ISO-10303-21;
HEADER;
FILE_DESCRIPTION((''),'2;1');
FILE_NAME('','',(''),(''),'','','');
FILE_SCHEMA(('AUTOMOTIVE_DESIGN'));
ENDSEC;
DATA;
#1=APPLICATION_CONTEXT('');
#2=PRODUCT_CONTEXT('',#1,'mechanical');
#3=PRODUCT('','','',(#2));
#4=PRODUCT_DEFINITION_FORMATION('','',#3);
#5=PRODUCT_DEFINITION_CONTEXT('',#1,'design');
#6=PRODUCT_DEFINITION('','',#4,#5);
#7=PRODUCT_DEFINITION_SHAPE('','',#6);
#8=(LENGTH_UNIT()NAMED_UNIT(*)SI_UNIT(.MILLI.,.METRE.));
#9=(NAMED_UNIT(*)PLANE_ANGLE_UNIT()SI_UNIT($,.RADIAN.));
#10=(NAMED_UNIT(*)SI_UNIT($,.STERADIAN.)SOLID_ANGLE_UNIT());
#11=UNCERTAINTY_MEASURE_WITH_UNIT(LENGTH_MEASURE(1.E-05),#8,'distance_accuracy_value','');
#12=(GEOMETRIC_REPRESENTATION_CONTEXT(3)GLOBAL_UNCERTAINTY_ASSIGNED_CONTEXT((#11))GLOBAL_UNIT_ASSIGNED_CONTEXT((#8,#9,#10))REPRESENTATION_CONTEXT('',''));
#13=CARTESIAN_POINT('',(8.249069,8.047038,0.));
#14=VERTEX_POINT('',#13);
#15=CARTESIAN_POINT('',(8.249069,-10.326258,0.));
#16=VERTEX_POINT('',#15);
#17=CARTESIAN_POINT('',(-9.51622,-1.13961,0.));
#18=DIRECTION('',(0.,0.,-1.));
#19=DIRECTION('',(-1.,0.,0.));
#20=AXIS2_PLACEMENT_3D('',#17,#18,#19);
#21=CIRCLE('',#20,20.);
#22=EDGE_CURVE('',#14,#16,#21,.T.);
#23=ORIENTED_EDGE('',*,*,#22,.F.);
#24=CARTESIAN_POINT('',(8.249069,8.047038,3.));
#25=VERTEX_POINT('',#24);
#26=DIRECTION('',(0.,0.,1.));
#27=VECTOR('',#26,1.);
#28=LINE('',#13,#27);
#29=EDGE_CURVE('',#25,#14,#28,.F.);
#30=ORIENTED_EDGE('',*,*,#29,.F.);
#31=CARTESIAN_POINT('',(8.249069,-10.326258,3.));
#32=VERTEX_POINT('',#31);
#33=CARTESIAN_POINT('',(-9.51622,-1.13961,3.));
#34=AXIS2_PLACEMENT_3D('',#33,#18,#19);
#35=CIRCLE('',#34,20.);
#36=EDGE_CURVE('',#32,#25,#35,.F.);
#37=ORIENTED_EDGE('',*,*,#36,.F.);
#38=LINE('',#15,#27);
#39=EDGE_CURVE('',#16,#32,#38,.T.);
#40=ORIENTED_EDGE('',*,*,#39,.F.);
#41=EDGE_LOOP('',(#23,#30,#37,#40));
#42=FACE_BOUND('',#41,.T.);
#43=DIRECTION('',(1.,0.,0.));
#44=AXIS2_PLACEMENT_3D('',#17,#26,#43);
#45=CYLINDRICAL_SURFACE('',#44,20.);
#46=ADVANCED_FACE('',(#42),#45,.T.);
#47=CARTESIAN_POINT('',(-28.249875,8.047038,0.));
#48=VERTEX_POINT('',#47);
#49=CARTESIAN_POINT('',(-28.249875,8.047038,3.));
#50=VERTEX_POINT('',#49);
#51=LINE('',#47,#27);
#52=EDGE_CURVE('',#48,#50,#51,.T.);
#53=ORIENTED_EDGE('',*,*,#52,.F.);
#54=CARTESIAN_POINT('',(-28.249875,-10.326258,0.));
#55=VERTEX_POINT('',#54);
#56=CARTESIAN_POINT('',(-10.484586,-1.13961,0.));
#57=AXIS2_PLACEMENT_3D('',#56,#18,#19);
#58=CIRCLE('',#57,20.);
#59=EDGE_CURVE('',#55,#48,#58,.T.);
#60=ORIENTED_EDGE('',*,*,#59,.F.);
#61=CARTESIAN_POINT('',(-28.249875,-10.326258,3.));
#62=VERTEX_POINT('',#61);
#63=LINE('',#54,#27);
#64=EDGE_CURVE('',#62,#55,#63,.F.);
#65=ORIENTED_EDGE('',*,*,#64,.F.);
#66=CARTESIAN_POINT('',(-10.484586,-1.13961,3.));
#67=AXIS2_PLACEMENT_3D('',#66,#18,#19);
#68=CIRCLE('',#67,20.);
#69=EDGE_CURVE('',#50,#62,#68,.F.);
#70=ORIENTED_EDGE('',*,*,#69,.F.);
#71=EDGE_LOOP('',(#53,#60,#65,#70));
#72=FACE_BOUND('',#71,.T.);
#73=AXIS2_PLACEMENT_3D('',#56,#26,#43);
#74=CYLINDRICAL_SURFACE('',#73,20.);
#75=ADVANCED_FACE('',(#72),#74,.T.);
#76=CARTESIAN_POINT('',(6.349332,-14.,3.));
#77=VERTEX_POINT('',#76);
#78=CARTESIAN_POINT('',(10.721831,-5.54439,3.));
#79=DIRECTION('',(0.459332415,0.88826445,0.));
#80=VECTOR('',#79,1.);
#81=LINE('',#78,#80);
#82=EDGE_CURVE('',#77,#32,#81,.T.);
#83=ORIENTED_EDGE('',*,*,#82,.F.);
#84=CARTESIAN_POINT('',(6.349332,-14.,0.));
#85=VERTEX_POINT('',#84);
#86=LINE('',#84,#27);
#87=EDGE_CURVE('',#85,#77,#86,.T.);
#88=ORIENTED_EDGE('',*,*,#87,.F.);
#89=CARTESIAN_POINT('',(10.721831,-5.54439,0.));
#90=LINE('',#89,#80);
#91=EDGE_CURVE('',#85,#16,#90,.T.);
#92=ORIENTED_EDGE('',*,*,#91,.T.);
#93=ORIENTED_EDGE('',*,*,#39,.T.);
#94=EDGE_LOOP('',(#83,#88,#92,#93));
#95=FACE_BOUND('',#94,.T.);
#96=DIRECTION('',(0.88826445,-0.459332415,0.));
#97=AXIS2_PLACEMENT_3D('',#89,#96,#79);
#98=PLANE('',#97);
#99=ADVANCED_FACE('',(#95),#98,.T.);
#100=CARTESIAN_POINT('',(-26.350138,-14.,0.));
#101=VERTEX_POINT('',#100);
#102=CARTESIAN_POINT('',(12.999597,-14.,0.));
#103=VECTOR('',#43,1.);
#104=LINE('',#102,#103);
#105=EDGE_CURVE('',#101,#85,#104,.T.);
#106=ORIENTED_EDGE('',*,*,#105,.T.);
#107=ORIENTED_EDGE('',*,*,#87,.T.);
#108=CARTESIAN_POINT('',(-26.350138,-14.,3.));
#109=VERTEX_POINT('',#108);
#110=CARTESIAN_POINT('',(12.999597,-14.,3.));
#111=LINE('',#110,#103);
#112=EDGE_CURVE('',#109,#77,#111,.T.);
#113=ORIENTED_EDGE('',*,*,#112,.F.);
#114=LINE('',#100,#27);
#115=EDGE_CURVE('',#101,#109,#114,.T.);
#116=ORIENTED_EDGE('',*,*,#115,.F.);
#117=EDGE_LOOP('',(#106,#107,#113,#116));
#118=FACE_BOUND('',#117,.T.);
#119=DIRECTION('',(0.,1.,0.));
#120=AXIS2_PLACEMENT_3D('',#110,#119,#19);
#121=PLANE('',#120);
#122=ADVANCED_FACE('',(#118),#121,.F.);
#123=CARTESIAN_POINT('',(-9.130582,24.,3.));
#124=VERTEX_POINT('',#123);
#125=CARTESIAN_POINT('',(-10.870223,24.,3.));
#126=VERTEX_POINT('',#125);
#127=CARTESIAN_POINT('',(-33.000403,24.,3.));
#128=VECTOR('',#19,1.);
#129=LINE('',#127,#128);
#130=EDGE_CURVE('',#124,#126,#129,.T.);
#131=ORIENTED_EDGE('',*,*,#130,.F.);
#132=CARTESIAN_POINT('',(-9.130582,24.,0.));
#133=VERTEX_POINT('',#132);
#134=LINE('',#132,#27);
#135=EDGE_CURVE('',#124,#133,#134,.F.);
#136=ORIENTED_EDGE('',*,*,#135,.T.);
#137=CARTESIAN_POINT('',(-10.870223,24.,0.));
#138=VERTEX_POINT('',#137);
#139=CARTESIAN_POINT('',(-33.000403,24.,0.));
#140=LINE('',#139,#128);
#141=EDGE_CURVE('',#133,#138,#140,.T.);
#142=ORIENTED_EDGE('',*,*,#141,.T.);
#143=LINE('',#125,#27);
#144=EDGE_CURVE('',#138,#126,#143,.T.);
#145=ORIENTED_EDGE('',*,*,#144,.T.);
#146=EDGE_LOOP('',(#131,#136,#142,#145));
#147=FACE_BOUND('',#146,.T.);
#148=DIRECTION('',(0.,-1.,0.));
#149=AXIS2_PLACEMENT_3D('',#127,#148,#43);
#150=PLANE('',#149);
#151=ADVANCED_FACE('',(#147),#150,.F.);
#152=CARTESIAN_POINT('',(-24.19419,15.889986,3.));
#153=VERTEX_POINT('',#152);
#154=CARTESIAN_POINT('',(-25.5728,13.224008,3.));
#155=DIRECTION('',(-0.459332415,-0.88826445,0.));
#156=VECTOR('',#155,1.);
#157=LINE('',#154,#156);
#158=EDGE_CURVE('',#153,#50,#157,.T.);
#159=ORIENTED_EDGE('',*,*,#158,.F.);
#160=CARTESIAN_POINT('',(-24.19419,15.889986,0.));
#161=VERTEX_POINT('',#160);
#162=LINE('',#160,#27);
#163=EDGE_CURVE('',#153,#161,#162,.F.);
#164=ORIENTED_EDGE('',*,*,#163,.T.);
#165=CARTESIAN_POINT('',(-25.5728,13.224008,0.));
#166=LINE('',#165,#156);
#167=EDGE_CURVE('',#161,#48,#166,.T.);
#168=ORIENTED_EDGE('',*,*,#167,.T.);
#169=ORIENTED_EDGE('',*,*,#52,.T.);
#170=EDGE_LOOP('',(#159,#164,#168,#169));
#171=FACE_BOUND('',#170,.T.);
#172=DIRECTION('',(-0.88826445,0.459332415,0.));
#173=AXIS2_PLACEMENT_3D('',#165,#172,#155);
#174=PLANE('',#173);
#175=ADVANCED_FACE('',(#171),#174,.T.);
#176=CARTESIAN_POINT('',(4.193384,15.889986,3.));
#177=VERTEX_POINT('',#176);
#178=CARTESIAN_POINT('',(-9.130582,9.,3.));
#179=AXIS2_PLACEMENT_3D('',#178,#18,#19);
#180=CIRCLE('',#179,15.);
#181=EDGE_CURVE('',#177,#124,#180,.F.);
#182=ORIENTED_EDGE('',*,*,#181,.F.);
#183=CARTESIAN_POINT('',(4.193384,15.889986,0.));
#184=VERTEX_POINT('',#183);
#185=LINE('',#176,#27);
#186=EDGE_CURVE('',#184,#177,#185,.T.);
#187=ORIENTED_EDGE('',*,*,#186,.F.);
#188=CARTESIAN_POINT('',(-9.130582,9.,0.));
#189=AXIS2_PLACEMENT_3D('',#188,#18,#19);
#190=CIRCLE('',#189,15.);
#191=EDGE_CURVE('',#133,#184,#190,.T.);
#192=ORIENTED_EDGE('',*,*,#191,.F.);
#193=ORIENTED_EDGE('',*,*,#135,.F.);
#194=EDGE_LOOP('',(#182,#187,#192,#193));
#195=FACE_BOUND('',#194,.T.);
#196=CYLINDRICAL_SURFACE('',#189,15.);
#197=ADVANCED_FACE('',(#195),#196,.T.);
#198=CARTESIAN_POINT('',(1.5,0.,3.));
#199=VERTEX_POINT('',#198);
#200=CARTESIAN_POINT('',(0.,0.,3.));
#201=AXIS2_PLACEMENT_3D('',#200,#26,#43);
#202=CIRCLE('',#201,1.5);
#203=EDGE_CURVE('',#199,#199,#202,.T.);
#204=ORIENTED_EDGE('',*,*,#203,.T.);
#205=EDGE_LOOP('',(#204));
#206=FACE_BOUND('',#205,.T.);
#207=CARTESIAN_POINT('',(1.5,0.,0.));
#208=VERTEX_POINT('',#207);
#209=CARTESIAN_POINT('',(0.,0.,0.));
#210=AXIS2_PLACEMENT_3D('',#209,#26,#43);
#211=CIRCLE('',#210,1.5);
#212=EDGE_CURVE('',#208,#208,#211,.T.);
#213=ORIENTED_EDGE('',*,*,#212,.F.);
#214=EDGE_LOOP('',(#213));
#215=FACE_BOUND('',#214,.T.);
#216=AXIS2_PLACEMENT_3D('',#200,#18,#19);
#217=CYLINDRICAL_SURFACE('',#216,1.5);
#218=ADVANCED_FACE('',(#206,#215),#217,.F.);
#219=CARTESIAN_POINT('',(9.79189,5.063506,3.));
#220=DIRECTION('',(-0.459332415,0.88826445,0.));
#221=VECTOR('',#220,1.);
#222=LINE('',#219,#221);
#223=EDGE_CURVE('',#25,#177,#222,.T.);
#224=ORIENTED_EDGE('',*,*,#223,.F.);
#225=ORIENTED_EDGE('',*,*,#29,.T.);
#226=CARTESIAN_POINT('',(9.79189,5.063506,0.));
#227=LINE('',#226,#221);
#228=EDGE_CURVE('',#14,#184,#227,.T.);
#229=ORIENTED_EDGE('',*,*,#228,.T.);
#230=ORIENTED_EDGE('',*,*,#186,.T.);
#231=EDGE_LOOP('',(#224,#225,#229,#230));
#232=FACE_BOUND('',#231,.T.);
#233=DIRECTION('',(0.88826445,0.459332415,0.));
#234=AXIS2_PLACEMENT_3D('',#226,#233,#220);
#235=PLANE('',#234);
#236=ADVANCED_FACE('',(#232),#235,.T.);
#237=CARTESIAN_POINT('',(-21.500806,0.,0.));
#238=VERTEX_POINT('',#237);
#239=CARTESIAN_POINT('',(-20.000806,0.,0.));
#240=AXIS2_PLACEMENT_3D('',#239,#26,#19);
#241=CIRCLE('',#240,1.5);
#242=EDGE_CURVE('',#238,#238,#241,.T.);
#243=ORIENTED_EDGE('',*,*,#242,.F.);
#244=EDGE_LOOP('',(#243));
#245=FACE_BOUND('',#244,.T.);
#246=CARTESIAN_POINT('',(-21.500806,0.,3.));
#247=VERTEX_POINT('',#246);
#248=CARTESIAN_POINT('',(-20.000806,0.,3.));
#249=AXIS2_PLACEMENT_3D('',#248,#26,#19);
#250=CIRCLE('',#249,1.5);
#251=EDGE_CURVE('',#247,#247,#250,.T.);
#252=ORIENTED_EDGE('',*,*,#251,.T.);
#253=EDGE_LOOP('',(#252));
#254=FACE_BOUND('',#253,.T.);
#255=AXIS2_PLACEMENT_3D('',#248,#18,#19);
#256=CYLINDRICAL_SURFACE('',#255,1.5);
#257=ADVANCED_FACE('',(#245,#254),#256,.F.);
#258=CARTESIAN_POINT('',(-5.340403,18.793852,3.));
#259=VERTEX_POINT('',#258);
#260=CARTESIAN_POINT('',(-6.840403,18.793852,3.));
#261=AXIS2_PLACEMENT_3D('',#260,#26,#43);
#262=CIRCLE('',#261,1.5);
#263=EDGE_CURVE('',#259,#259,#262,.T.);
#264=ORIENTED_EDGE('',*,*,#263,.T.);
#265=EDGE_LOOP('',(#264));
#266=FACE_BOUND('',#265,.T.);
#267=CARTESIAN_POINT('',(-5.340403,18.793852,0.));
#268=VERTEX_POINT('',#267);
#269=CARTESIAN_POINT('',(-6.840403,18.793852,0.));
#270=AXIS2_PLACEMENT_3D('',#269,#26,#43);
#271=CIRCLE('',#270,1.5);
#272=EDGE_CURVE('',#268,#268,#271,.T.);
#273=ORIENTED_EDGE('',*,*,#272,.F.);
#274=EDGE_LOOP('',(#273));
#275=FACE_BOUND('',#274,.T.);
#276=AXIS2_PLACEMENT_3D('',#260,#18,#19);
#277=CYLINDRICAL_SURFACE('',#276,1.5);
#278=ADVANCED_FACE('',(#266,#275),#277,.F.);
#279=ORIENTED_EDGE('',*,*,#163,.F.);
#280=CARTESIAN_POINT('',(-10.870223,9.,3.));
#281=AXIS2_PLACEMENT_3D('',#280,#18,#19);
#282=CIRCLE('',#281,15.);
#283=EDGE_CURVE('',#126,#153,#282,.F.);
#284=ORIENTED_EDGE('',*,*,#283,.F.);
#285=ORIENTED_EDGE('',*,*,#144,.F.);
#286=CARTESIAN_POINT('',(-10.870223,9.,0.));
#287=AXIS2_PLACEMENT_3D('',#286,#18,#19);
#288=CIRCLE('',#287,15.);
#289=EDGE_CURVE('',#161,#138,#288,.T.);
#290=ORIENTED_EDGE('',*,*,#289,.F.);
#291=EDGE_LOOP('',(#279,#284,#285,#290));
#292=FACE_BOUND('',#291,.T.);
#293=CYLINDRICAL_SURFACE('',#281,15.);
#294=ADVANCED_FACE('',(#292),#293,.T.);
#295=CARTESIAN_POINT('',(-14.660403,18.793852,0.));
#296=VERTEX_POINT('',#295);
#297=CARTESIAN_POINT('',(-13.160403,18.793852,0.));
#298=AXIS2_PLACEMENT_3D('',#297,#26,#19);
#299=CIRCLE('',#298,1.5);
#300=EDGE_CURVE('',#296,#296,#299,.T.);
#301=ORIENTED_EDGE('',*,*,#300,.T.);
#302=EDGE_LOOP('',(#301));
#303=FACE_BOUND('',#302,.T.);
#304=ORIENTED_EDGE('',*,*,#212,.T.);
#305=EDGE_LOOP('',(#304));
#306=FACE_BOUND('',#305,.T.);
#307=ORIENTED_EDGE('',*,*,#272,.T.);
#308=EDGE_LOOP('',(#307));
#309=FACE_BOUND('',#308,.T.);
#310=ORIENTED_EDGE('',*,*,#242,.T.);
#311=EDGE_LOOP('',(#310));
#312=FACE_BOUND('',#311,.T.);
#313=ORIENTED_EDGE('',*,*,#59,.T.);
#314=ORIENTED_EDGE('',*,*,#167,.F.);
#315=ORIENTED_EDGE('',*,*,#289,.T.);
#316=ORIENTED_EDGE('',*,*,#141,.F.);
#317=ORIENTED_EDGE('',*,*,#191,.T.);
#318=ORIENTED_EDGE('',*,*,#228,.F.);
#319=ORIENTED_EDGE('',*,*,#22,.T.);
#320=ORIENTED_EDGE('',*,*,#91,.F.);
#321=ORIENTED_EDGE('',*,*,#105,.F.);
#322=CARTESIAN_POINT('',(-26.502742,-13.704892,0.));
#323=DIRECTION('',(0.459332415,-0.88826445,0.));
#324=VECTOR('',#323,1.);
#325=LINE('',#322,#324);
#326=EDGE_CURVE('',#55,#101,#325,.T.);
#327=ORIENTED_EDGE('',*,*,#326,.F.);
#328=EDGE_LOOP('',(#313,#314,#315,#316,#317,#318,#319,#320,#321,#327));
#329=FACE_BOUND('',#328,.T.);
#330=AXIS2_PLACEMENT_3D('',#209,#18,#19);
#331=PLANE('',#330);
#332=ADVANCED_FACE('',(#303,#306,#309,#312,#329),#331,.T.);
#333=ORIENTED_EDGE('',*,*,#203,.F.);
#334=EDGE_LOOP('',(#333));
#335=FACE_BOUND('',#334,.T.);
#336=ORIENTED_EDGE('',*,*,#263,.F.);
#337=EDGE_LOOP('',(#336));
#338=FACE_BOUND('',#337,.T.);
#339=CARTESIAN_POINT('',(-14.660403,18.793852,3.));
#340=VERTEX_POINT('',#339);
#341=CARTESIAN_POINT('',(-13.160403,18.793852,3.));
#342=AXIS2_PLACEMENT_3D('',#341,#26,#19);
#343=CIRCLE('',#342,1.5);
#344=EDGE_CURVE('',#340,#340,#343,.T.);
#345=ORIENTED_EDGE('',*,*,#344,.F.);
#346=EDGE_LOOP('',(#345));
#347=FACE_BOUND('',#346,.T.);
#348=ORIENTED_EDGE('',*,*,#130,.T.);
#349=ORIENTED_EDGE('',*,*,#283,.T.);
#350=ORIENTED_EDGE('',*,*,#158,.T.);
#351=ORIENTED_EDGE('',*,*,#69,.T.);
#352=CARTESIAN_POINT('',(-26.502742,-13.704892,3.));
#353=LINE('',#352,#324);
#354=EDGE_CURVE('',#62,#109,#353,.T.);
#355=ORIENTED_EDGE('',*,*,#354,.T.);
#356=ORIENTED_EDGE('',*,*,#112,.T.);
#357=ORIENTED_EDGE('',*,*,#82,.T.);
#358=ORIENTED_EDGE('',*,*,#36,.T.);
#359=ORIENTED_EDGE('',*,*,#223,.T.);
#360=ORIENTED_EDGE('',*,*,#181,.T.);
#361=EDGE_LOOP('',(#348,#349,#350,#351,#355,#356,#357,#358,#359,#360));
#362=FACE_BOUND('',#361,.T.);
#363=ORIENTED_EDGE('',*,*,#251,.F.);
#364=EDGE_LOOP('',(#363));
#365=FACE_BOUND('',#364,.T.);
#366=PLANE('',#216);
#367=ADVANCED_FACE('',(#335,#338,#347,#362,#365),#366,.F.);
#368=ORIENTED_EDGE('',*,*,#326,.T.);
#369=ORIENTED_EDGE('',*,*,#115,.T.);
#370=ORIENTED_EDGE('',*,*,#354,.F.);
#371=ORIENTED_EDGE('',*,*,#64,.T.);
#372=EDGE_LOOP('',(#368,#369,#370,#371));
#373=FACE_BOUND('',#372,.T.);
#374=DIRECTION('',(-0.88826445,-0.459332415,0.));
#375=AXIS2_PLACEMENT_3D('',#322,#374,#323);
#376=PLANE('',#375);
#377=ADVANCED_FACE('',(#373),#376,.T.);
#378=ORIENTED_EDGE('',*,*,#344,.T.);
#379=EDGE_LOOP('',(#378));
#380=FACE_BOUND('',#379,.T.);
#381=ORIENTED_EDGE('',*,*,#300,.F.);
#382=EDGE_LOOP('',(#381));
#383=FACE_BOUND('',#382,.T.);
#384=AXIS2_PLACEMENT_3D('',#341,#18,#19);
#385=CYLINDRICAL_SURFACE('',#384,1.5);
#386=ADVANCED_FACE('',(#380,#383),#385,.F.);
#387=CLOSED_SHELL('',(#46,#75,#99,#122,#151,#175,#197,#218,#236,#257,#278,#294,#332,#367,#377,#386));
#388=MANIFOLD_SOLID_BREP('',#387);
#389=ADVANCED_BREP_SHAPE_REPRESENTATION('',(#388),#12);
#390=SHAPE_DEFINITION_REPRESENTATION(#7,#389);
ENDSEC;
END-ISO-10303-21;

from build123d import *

# Parameters (mm, degrees)
SCHIZZO1_W                   = 46
SCHIZZO1_H                   = 38
SCHIZZO1_R                   = 1.5
ESTRUSIONE_ESTRUSIONE3_DEPTH = 3
TAGLIO_ESTRUSIONE1_DEPTH     = 3
RACCORDO1_R                  = 15
RACCORDO2_R                  = 15
RACCORDO3_R                  = 20
RACCORDO4_R                  = 20


with BuildPart() as part:
    # Schizzo1 → Estrusione-Estrusione3 (new body)
    with BuildSketch(Plane.XY):
        with Locations((-10.000402867, 5)):
            Rectangle(SCHIZZO1_W, SCHIZZO1_H)
        with Locations((-6.840402867, 18.793852416)):
            Circle(SCHIZZO1_R, mode=Mode.SUBTRACT)
        Circle(SCHIZZO1_R, mode=Mode.SUBTRACT)
        with Locations((-20.000805733, 0)):
            Circle(SCHIZZO1_R, mode=Mode.SUBTRACT)
        with Locations((-13.160402867, 18.793852416)):
            Circle(SCHIZZO1_R, mode=Mode.SUBTRACT)
    extrude(amount=ESTRUSIONE_ESTRUSIONE3_DEPTH)

    # Schizzo4 → Taglio-Estrusione1 (cut)
    with BuildSketch(Plane.XY.offset(3)):
        Polygon((-33.000402867, -1.13961018), (-20.000402867, 24), (-33.000402867, 24), align=None)
        Polygon((12.999597133, 24), (-0.000402867, 24), (12.999597133, -1.13961018), align=None)
        Polygon((-26.350137947, -14), (-33.000402867, -1.13961018), (-33.000402867, -14), align=None)
        Polygon((12.999597133, -14), (12.999597133, -1.13961018), (6.349332214, -14), align=None)
    extrude(amount=-TAGLIO_ESTRUSIONE1_DEPTH, mode=Mode.SUBTRACT)

    # Raccordo1
    raccordo1_edges = [part.edges().sort_by_distance(p)[0] for p in [
        (-0.000402867, 24, 1.5),
    ]]
    fillet(raccordo1_edges, radius=RACCORDO1_R)

    # Raccordo2
    raccordo2_edges = [part.edges().sort_by_distance(p)[0] for p in [
        (-20.000402867, 24, 1.5),
    ]]
    fillet(raccordo2_edges, radius=RACCORDO2_R)

    # Raccordo3
    raccordo3_edges = [part.edges().sort_by_distance(p)[0] for p in [
        (12.999597133, -1.13961018, 1.5),
    ]]
    fillet(raccordo3_edges, radius=RACCORDO3_R)

    # Raccordo4
    raccordo4_edges = [part.edges().sort_by_distance(p)[0] for p in [
        (-33.000402867, -1.13961018, 1.5),
    ]]
    fillet(raccordo4_edges, radius=RACCORDO4_R)


solid = part.part
